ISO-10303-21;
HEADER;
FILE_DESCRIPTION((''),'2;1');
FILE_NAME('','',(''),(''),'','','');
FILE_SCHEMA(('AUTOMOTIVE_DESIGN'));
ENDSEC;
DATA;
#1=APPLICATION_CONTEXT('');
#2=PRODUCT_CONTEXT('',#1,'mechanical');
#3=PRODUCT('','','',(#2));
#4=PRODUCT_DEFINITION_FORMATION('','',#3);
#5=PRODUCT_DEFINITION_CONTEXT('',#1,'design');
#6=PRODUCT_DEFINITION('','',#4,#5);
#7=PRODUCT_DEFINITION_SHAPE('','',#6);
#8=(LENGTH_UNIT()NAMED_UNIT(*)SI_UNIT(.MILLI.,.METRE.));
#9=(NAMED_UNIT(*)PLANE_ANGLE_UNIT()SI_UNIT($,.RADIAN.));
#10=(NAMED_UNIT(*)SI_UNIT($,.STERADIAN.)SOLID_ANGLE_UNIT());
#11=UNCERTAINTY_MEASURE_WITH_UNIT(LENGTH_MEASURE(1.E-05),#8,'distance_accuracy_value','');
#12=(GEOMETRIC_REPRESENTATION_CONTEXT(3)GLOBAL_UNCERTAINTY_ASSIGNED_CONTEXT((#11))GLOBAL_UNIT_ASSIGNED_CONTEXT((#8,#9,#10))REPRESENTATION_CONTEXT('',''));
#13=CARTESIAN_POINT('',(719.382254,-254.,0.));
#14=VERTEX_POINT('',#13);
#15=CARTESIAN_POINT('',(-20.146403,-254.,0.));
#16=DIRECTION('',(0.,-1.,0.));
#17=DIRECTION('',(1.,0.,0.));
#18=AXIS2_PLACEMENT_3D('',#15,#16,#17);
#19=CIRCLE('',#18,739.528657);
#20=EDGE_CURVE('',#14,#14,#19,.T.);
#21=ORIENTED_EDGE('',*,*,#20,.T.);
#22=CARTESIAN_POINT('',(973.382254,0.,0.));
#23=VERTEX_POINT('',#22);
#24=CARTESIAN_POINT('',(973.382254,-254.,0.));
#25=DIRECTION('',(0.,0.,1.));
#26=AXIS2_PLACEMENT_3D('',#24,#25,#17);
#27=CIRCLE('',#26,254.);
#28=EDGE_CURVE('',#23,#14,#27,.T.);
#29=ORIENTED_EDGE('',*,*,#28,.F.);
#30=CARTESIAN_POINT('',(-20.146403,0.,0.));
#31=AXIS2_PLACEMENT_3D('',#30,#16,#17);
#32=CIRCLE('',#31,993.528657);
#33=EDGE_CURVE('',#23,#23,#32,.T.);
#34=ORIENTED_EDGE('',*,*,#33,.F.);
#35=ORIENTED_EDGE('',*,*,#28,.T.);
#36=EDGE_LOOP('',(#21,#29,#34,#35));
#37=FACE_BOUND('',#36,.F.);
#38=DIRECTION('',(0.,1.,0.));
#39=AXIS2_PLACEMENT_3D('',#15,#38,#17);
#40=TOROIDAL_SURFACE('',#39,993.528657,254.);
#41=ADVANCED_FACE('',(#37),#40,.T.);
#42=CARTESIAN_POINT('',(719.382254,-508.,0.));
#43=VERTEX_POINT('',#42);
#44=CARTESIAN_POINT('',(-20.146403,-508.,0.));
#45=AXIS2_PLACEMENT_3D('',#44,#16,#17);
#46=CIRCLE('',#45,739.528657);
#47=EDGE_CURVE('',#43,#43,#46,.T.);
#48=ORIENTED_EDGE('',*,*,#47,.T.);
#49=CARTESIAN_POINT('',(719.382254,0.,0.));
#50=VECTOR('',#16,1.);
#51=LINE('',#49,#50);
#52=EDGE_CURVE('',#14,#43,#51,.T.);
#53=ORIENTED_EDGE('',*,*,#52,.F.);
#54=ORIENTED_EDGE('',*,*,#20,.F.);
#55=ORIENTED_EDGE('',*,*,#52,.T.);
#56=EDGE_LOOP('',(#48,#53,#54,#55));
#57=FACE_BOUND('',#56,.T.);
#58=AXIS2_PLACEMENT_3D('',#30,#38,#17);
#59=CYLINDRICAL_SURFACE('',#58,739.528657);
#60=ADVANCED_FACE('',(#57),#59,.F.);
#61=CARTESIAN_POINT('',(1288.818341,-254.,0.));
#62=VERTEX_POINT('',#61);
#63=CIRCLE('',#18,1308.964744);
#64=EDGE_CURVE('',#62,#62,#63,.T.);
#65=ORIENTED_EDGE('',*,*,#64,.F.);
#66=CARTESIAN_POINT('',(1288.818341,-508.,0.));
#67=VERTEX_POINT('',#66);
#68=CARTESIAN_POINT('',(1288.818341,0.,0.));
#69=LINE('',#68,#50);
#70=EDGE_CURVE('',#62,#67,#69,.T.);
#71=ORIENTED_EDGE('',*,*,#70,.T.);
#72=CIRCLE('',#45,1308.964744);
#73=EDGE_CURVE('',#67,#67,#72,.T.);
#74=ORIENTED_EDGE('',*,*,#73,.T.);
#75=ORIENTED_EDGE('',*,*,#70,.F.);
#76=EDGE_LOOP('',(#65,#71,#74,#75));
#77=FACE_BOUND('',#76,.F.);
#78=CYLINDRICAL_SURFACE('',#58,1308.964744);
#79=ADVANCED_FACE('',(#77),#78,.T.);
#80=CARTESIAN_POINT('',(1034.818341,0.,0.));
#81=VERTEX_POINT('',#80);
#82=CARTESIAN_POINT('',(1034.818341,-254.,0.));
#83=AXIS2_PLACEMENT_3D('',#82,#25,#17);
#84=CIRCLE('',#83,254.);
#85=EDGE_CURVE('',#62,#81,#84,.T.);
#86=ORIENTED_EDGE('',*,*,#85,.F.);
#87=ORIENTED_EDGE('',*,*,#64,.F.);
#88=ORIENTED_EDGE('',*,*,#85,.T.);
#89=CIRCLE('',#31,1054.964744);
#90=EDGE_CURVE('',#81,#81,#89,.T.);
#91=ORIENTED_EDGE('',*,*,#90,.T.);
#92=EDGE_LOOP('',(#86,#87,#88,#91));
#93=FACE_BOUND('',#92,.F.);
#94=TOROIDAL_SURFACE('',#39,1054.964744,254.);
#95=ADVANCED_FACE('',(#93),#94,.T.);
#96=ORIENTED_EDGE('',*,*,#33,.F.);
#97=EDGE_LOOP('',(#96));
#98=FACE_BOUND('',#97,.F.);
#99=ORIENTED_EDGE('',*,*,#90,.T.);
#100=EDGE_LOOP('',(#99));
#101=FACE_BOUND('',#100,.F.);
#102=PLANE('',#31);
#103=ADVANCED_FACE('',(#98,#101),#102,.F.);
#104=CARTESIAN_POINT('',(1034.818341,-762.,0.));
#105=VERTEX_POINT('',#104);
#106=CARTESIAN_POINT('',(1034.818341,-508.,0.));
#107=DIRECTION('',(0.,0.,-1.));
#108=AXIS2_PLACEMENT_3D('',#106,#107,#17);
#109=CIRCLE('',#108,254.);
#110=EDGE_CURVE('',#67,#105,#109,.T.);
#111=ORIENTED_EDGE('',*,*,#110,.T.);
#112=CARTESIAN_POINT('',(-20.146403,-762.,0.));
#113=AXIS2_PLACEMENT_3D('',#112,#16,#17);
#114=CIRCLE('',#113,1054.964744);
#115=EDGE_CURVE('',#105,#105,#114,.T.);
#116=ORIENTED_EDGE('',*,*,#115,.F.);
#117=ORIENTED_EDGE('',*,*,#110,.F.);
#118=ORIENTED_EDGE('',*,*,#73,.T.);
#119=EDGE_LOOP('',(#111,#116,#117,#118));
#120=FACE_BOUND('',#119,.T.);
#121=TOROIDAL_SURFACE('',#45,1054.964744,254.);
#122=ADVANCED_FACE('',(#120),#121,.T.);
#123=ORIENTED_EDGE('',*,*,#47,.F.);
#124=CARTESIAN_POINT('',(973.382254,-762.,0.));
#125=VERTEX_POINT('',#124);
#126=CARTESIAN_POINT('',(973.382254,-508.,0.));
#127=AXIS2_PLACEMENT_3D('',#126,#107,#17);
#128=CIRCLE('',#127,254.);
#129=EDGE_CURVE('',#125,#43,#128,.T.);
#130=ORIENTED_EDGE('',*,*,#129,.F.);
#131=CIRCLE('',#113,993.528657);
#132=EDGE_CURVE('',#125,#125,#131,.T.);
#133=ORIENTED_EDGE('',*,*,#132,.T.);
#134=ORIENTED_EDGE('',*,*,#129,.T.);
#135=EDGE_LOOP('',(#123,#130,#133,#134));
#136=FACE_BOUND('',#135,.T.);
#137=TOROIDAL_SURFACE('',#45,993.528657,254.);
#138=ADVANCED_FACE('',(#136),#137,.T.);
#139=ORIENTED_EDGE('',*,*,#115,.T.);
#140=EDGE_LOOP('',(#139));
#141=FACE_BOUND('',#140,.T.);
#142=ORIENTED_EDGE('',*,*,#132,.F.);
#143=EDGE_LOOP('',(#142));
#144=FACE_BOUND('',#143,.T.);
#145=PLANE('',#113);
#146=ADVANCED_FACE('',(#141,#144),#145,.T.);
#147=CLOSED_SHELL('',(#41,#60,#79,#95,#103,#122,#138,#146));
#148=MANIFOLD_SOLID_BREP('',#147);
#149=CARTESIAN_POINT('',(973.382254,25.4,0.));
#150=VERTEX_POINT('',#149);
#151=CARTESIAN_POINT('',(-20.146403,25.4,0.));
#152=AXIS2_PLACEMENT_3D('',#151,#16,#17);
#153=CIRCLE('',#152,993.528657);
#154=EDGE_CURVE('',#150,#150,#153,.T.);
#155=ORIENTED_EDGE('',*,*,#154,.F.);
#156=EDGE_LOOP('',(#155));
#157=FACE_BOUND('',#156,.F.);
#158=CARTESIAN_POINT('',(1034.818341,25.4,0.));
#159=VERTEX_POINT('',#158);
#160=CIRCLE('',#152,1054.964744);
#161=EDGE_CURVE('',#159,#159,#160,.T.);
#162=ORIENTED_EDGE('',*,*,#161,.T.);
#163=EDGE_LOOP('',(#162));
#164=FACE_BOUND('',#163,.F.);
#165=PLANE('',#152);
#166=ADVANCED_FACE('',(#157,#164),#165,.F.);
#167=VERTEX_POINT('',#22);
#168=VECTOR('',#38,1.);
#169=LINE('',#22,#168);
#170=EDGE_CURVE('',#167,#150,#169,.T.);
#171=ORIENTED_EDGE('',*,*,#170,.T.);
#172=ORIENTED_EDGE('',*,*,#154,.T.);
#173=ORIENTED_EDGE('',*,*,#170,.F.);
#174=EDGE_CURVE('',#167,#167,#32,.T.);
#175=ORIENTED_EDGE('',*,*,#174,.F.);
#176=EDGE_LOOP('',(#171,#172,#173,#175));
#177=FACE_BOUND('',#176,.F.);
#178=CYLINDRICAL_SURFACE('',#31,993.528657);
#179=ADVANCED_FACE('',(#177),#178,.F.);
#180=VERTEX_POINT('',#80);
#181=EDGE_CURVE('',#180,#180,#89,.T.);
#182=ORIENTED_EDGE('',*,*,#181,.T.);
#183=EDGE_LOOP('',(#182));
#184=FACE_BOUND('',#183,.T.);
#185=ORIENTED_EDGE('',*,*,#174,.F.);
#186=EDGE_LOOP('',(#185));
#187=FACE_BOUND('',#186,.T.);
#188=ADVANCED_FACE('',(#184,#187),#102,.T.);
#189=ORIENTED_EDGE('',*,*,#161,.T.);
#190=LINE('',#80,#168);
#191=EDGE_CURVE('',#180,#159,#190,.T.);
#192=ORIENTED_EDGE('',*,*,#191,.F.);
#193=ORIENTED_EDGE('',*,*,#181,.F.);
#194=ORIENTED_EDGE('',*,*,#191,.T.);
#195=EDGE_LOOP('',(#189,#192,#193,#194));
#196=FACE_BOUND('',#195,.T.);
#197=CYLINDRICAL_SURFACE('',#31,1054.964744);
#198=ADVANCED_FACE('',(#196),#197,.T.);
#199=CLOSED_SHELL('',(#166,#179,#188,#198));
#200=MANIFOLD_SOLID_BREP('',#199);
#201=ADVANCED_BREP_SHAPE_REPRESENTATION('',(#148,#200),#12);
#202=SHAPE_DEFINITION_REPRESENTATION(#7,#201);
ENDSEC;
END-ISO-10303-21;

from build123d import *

# Parameters (mm, degrees)
F0_R     = 1308.9647443453
F0_R_2   = 739.5286574093
F1_DEPTH = 762
F2_R     = 254
F3_R     = 254
F4_R     = 254
F5_DEPTH = 25.4


with BuildPart() as f1:
    # F0 (on Front) → F1 (new body)
    with BuildSketch(Plane.XZ):
        with Locations((-20.1464034617, 0)):
            Circle(F0_R)
        with Locations((-20.1464034617, 0)):
            Circle(F0_R_2, mode=Mode.SUBTRACT)
    extrude(amount=F1_DEPTH)

    # F2
    f2_edges = [f1.edges().sort_by_distance(p)[0] for p in [
        (-1329.111148, 0, 0),
    ]]
    fillet(f2_edges, radius=F2_R)

    # F3
    f3_edges = [f1.edges().sort_by_distance(p)[0] for p in [
        (-1329.111148, -762, 0),
        (-759.675061, -762, 0),
    ]]
    fillet(f3_edges, radius=F3_R)

    # F4
    f4_edges = [f1.edges().sort_by_distance(p)[0] for p in [
        (719.382254, -254, 0),
        (-759.675061, -508, 0),
        (-759.675061, 0, 0),
        (-1075.111148, -762, 0),
        (-1013.675061, -762, 0),
        (1288.818341, -381, 0),
        (-1329.111148, -508, 0),
        (-1329.111148, -254, 0),
    ]]
    fillet(f4_edges, radius=F4_R)


with BuildPart() as f5:
    # F5 (new): a face of the model
    f5_faces = [f1.part.faces().sort_by_distance(p)[0] for p in [
        (-1043.5139698566, 0, 0),
    ]]
    extrude(f5_faces, amount=F5_DEPTH)


solid = Compound([f1.part, f5.part])
